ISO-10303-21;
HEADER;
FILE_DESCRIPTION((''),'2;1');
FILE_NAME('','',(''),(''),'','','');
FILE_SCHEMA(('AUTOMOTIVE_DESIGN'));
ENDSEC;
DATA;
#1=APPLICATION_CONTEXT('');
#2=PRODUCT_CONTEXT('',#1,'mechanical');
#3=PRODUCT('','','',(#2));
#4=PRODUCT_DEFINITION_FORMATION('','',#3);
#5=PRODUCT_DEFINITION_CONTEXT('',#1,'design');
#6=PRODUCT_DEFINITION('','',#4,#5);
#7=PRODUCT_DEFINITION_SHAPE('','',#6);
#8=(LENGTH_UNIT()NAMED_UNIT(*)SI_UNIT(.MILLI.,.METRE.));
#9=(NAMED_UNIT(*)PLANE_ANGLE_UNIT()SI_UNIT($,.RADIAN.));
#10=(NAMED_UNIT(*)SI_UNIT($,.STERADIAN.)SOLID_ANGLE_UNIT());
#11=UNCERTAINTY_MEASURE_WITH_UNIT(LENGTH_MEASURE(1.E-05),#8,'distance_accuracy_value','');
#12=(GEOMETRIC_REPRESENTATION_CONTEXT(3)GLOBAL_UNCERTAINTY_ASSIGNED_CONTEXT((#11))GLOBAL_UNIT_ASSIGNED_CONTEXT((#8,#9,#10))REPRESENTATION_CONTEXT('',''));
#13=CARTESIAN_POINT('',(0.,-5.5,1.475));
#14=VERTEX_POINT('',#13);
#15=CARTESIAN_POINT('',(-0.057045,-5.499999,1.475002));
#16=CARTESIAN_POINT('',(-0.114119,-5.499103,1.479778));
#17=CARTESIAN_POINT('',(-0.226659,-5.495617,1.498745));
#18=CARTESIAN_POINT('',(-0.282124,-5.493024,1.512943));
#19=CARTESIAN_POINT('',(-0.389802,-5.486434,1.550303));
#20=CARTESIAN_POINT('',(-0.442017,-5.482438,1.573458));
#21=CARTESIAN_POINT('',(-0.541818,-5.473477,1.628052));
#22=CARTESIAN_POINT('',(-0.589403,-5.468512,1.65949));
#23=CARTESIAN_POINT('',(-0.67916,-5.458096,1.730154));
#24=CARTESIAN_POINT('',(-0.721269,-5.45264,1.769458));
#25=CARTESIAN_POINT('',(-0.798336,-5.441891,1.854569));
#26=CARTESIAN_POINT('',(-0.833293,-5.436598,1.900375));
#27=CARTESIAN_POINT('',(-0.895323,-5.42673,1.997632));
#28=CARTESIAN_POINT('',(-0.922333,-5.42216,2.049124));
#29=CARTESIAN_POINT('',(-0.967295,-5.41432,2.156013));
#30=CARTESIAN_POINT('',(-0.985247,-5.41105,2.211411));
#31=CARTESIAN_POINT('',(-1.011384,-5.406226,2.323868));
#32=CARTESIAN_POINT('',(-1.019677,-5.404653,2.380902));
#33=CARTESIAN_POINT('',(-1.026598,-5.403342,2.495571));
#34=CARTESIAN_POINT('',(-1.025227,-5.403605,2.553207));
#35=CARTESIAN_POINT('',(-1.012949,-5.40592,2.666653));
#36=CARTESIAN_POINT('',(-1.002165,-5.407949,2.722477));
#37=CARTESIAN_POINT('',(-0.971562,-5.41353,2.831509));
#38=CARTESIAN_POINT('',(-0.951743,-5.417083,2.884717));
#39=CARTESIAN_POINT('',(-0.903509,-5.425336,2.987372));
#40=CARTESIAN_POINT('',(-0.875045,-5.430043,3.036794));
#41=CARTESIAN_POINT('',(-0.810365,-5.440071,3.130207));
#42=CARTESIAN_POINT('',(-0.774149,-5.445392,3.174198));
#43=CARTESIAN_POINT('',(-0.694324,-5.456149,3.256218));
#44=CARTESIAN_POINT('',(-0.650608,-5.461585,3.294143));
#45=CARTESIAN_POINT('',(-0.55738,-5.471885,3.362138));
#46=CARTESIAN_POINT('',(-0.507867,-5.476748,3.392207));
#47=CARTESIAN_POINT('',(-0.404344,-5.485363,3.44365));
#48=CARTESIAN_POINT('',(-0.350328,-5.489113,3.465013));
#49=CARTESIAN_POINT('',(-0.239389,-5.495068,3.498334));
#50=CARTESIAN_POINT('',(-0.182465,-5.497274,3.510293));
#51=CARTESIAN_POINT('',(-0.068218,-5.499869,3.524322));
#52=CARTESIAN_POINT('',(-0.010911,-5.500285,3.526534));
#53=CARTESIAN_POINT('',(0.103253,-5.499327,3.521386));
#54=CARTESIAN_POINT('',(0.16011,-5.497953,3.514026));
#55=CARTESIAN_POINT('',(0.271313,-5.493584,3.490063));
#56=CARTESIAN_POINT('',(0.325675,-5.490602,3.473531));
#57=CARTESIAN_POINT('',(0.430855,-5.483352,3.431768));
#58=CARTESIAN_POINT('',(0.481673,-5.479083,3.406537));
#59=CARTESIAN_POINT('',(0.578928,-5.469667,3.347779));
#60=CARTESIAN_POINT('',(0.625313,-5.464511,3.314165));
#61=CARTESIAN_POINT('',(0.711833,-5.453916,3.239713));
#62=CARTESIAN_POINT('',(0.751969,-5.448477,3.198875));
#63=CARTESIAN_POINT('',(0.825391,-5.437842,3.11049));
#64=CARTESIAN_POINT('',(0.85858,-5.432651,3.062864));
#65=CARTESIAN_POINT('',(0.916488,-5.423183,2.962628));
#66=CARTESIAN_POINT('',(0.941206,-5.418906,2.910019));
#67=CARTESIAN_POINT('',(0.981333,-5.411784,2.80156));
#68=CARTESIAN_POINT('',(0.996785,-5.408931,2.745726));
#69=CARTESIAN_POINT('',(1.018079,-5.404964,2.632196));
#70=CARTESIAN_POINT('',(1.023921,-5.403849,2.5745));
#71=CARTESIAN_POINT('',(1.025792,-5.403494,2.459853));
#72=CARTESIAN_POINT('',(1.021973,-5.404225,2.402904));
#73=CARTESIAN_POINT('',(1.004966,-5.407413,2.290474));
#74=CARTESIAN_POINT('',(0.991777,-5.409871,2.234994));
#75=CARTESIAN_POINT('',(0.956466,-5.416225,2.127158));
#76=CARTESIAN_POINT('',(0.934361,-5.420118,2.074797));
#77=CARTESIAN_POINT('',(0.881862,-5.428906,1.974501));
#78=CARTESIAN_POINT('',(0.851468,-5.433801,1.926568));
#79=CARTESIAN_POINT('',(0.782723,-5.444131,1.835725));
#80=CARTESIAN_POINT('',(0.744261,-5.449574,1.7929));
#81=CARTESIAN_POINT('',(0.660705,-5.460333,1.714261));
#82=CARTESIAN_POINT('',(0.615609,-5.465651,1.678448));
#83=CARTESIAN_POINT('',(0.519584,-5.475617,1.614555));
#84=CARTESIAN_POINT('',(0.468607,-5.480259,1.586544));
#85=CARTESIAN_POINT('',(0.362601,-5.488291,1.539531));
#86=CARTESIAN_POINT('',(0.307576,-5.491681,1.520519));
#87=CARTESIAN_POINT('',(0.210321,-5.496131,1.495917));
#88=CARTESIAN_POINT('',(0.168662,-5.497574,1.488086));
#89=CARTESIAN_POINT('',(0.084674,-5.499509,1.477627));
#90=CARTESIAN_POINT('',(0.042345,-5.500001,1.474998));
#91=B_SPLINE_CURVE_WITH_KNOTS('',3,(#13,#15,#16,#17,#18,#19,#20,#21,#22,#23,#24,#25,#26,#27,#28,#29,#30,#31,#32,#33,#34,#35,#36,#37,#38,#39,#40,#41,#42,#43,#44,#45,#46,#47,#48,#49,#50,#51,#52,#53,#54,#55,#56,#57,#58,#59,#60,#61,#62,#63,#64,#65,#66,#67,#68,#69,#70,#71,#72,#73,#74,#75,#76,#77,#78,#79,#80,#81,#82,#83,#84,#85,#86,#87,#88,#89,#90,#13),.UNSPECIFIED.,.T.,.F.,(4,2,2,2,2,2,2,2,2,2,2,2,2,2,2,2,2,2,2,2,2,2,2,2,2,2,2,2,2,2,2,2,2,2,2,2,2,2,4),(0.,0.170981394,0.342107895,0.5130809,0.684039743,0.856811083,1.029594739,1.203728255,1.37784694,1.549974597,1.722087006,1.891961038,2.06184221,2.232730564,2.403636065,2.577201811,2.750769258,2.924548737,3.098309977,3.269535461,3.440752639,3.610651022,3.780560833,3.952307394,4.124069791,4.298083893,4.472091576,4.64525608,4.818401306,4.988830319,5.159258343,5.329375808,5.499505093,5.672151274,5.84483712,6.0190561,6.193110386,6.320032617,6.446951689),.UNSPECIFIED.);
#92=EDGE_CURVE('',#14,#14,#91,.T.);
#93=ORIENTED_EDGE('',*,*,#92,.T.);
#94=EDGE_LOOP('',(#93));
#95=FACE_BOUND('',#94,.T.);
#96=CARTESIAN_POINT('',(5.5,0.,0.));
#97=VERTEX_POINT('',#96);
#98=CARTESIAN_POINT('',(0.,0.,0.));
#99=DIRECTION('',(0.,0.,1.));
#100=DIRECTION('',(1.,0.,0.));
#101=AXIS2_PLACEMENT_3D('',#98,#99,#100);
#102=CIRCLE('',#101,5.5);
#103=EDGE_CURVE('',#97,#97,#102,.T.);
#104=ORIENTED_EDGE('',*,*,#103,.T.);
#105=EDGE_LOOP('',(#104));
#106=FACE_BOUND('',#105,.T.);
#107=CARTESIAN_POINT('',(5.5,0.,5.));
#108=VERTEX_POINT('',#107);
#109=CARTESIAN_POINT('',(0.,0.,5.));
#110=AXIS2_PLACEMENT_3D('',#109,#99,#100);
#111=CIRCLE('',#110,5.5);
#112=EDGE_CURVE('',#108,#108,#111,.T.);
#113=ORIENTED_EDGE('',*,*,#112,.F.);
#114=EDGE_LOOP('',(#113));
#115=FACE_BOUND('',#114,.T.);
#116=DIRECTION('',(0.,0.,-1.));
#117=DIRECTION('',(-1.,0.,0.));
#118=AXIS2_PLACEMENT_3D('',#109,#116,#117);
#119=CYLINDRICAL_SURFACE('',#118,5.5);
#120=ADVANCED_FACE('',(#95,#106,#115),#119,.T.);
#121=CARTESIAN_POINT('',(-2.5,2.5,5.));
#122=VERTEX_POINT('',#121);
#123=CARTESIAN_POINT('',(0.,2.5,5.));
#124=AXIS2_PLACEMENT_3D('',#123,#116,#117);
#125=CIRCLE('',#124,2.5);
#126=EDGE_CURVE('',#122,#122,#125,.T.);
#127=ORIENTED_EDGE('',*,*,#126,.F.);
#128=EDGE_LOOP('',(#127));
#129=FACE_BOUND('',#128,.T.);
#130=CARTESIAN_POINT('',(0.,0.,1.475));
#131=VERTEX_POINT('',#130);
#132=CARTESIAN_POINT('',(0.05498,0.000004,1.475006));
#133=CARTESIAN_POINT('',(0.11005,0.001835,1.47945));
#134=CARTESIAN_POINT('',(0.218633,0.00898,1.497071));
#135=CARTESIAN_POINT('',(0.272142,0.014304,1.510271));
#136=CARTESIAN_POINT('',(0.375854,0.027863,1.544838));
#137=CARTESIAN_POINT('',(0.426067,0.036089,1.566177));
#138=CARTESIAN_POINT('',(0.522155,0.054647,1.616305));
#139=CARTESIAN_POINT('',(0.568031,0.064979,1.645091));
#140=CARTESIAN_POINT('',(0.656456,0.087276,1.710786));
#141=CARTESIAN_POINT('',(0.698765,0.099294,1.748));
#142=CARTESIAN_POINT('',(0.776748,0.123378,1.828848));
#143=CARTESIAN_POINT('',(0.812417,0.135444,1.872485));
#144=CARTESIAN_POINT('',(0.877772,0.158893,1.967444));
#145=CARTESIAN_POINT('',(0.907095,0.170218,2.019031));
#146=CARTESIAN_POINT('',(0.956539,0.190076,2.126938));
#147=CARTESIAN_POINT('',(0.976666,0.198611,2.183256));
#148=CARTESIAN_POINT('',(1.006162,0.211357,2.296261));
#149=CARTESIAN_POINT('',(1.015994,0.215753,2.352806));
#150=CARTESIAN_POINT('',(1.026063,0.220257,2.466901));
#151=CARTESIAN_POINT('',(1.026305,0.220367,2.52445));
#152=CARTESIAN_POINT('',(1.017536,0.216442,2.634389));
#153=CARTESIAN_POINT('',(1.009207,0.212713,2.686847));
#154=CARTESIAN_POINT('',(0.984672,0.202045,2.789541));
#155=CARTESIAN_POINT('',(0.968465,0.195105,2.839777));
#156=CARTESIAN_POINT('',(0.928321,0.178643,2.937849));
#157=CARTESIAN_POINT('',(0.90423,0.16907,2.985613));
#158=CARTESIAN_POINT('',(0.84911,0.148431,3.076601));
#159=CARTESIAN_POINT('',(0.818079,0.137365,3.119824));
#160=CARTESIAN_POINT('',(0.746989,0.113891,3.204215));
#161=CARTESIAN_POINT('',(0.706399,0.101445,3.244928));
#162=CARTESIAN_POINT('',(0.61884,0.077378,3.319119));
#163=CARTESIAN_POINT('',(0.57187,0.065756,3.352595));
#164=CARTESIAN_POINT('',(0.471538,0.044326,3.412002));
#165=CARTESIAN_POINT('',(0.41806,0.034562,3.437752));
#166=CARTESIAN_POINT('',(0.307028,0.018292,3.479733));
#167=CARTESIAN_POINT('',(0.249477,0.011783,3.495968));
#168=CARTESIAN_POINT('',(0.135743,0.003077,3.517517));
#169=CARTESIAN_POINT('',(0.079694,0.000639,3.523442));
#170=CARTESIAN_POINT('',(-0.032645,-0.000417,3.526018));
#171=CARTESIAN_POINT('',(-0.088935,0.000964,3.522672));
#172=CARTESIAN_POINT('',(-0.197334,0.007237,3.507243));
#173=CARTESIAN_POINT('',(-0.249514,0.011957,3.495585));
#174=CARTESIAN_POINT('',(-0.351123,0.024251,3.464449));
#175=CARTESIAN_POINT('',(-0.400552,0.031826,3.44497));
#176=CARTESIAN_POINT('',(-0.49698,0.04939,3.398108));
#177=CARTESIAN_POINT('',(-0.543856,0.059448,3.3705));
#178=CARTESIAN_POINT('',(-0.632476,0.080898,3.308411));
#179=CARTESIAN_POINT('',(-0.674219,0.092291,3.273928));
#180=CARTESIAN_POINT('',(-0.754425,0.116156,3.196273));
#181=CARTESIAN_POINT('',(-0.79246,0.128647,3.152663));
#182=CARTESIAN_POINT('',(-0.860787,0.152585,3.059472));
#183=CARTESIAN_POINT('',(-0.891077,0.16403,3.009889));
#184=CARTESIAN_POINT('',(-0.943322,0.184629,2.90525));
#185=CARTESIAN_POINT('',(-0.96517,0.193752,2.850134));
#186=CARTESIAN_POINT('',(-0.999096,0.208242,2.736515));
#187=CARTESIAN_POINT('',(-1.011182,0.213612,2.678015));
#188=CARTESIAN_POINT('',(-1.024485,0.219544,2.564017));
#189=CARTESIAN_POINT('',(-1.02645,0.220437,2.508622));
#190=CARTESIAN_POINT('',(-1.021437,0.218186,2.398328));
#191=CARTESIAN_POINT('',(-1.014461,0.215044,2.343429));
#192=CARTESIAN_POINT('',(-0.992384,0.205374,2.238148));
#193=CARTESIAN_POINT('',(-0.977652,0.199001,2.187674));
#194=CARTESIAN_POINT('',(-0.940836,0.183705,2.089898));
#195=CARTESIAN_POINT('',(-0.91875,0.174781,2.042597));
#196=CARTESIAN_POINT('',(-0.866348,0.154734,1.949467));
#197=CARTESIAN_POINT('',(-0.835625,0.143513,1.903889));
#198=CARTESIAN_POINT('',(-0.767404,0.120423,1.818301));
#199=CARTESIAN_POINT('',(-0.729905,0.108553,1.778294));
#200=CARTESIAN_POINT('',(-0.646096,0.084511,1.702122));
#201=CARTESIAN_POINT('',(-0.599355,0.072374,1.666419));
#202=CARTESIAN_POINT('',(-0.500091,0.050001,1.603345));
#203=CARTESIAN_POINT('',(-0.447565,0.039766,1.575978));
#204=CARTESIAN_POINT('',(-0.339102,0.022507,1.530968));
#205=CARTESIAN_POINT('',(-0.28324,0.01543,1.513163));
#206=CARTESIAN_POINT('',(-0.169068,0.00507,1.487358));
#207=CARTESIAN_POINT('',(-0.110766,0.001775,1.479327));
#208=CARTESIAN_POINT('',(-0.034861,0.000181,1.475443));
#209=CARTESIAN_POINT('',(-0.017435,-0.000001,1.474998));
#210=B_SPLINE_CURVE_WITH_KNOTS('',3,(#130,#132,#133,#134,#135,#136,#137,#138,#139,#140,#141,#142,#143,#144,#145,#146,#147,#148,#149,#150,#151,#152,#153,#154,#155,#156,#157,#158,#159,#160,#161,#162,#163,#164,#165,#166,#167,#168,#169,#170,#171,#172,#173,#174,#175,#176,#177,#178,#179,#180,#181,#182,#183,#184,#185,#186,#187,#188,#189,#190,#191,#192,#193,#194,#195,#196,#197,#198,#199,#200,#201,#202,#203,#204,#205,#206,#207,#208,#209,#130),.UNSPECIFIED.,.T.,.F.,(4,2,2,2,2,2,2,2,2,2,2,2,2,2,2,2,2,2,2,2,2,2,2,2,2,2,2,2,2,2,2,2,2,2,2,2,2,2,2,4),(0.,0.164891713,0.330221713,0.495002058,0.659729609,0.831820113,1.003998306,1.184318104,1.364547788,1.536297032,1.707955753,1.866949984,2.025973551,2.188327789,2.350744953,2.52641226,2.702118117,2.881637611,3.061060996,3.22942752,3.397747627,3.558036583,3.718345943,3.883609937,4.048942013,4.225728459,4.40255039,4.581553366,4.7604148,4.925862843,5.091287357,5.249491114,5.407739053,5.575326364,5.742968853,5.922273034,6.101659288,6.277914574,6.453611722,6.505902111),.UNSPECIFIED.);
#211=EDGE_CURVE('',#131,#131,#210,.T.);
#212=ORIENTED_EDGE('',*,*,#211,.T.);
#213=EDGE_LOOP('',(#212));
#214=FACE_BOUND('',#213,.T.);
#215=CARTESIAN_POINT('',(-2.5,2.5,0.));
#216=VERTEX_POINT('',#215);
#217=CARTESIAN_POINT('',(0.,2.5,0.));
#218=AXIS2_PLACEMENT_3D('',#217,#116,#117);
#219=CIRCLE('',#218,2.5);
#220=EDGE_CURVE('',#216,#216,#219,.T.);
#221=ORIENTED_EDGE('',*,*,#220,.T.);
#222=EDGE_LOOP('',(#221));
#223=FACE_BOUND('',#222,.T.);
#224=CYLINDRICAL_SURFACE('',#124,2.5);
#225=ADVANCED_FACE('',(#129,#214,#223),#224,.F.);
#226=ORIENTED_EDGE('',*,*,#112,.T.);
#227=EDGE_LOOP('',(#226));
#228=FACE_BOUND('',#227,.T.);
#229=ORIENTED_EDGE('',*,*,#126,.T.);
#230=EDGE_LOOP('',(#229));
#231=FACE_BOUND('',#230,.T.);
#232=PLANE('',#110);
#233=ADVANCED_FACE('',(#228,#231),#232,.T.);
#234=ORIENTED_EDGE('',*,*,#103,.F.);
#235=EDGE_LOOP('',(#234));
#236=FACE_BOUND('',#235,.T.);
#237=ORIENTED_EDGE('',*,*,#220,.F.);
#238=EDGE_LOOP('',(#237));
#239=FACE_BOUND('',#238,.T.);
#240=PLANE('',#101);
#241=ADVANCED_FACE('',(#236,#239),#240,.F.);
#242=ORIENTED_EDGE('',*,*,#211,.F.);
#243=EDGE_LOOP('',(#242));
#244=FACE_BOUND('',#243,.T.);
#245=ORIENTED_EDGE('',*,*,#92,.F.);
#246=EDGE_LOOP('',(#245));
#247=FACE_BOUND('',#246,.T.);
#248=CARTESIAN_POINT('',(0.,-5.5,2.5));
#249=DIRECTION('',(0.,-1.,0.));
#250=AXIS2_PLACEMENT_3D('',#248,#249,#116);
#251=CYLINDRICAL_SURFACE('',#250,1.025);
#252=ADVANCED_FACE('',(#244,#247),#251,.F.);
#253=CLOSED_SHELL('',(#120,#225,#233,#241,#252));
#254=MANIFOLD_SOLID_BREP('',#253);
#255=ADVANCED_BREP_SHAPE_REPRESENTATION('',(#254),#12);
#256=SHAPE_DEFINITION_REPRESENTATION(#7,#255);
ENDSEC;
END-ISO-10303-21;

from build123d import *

# Parameters (mm, degrees)
SKETCH1_R               = 5.5
BOSS_EXTRUDE1_DEPTH     = 5
SKETCH4_R               = 2.5
CUT_EXTRUDE1_DEPTH      = 10.246621004
M2_5_TAPPED_HOLE2_D     = 2.05
M2_5_TAPPED_HOLE2_DEPTH = 8


with BuildPart() as part:
    # Sketch1 → Boss-Extrude1 (new body)
    with BuildSketch(Plane.XY):
        Circle(SKETCH1_R)
    extrude(amount=BOSS_EXTRUDE1_DEPTH)

    # Sketch4 → Cut-Extrude1 (cut, through all)
    with BuildSketch(Plane(origin=(0, 0, 0), x_dir=(-1, 0, 0), z_dir=(0, 0, -1))):
        with Locations((0, 2.5)):
            Circle(SKETCH4_R)
    extrude(amount=-CUT_EXTRUDE1_DEPTH, mode=Mode.SUBTRACT)

    # M2.5 Tapped Hole2
    with Locations(Plane(origin=(0, -5.5, 2.5), x_dir=(-1, 0, 0), z_dir=(0, -1, 0))):
        with Locations((0, 0)):
            Hole(M2_5_TAPPED_HOLE2_D / 2, depth=M2_5_TAPPED_HOLE2_DEPTH)


solid = part.part
